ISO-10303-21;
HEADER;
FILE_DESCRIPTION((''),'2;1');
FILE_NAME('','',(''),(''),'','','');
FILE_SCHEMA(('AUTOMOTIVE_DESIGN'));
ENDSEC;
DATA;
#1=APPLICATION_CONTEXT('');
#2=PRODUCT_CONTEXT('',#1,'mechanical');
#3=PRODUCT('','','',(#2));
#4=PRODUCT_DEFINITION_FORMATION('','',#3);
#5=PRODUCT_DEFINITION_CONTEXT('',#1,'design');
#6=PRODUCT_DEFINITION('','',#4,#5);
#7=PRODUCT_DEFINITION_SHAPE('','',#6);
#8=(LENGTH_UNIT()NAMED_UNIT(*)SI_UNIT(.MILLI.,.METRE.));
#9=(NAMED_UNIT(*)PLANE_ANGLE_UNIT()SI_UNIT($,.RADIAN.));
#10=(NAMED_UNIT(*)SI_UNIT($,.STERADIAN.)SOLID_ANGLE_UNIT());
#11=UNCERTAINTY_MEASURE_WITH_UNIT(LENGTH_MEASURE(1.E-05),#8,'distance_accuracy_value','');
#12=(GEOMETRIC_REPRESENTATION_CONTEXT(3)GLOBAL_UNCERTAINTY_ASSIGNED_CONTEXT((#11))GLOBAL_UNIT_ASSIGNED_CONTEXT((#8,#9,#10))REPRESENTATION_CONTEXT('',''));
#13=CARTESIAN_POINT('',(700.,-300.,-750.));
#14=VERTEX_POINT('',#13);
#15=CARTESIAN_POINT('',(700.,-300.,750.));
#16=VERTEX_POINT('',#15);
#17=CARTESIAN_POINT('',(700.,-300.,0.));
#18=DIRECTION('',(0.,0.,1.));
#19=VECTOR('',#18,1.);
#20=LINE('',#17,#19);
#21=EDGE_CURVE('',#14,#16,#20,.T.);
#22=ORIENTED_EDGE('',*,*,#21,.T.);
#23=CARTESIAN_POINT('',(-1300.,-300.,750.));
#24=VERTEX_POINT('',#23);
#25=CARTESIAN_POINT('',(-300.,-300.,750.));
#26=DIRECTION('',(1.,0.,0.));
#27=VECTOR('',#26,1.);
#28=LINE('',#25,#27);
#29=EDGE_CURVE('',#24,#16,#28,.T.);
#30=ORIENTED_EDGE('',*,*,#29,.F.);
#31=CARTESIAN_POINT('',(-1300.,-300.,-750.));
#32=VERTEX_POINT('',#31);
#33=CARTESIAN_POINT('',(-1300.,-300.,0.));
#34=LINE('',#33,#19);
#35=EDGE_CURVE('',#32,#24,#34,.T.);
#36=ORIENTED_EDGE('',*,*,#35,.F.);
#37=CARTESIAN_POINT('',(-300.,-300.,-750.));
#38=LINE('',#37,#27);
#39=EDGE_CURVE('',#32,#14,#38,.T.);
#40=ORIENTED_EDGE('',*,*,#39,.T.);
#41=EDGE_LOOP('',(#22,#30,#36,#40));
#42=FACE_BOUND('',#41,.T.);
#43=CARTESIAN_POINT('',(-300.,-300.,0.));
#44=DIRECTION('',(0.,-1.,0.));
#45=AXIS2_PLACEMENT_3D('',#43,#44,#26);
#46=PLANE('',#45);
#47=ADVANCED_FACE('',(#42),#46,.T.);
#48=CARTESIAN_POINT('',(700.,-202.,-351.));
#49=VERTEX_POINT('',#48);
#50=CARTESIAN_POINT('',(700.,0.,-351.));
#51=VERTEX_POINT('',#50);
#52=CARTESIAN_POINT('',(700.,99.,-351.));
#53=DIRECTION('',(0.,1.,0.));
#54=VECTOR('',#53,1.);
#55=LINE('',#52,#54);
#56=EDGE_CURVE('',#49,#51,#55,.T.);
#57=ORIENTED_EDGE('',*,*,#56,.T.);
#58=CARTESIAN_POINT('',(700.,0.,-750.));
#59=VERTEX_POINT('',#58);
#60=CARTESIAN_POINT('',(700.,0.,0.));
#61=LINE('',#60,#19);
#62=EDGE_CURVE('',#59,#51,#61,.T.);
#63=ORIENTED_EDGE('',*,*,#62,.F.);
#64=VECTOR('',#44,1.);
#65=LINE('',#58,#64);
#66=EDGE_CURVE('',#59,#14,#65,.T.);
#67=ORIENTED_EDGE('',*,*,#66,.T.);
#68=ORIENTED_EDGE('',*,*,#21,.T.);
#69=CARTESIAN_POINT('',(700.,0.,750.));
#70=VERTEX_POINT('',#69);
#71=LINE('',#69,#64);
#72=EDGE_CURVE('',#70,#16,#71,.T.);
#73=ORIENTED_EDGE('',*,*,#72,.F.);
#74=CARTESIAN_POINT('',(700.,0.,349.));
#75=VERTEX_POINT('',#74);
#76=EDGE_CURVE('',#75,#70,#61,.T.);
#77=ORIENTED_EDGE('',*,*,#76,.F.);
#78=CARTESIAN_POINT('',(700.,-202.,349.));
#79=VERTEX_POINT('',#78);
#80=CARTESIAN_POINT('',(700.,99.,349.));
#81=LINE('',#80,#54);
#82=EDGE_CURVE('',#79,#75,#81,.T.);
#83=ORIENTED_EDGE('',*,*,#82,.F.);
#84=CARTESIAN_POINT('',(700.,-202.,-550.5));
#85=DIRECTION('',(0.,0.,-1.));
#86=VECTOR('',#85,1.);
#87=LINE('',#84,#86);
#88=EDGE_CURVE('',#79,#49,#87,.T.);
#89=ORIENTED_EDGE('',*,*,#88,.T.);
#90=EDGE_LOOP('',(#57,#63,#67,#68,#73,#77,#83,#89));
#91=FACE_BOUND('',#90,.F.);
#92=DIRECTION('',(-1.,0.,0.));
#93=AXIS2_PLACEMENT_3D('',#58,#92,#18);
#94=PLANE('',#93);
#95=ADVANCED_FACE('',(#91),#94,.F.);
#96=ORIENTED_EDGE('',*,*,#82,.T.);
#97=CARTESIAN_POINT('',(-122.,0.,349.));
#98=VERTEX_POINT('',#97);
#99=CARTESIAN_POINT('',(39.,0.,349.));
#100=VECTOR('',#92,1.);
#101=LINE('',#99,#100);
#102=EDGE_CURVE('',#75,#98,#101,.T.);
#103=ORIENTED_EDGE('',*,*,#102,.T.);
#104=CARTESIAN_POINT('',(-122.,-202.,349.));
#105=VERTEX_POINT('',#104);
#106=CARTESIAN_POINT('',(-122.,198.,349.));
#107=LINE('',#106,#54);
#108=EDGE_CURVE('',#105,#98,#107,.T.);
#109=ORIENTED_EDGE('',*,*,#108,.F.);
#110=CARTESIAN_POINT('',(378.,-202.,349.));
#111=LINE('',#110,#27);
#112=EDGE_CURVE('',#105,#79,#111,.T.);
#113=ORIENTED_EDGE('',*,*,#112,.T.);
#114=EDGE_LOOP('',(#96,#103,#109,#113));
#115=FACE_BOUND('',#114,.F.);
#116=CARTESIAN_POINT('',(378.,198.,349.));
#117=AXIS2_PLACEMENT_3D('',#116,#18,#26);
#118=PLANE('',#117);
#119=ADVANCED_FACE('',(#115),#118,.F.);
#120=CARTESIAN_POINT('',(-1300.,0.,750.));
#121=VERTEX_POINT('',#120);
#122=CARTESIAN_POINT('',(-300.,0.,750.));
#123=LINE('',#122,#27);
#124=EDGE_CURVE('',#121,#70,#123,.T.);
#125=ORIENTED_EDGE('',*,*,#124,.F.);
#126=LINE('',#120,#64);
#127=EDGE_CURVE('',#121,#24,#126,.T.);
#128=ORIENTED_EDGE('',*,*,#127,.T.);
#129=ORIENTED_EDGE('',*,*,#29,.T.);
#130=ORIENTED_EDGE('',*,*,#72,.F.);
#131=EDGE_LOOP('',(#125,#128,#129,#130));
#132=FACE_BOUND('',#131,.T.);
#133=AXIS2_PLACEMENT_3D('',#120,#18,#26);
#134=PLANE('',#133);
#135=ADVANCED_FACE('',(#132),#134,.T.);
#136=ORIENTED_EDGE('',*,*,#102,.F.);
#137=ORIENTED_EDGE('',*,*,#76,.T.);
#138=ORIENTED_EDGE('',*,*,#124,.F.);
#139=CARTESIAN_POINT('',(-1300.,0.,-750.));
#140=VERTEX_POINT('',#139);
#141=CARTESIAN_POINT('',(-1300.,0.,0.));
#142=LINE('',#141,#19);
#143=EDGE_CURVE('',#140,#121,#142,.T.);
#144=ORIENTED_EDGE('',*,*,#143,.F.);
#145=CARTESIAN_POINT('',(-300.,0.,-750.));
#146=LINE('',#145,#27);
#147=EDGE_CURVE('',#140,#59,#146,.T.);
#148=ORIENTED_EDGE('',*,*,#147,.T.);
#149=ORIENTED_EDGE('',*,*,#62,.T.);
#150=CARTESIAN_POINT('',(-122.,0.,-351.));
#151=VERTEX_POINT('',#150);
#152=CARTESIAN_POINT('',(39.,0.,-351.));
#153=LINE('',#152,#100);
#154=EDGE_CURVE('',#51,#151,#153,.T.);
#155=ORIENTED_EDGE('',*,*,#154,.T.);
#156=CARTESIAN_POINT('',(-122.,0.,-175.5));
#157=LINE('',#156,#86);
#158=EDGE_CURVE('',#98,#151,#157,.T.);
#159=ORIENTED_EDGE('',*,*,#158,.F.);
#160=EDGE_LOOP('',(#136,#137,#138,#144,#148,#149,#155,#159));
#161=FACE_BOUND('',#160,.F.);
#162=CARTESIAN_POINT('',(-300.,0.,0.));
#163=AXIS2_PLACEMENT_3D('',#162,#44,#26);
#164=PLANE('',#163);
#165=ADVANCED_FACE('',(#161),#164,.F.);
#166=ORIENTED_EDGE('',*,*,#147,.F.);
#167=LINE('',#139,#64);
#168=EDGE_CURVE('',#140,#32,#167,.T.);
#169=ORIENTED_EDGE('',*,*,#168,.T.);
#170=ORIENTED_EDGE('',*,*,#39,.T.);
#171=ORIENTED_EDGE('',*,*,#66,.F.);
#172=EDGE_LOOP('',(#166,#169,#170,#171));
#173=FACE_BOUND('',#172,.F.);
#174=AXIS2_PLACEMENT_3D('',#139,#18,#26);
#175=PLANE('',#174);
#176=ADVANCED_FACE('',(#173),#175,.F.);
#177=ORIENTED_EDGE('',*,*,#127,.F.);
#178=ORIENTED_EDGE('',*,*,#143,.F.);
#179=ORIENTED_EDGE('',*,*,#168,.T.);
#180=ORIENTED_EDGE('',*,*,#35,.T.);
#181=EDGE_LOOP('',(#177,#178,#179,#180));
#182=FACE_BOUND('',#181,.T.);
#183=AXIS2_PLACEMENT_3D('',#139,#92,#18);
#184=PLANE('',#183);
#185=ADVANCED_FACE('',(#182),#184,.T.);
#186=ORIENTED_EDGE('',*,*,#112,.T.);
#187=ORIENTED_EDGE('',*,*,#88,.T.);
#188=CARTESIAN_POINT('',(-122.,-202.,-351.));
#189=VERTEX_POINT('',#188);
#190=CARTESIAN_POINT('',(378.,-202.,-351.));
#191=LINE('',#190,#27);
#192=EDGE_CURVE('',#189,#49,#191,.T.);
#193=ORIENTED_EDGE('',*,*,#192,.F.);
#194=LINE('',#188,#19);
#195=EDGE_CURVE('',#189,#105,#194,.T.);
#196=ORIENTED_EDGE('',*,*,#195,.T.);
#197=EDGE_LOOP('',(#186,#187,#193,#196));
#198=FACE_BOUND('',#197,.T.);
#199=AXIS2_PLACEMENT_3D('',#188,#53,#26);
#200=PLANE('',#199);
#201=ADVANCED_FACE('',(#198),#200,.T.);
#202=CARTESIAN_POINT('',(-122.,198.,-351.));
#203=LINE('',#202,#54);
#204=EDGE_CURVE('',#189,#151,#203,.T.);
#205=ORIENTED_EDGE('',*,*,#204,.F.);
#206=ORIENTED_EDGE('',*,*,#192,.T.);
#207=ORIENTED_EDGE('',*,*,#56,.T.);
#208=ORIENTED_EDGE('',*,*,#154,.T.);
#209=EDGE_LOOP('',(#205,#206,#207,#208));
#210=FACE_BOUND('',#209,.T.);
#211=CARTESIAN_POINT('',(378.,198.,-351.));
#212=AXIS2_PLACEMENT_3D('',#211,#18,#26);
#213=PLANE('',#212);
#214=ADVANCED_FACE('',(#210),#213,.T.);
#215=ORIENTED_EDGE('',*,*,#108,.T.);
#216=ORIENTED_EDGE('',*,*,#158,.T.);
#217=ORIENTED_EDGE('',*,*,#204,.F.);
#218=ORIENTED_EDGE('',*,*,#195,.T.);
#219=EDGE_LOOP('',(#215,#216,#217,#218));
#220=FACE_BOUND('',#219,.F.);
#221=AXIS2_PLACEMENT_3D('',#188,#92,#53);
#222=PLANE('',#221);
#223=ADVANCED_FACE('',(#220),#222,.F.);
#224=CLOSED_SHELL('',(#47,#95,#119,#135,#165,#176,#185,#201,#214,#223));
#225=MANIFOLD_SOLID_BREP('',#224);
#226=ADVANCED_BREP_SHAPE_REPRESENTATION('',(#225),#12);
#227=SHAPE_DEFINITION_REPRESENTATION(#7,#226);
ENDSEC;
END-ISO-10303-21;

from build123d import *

# Parameters (mm, degrees)
BOX003_W     = 1000
BOX003_H     = 800
BOX003_DEPTH = 700
SKETCH_W     = 2000
SKETCH_H     = 1500
PAD_DEPTH    = 300


with BuildPart() as cube003:
    # Box003 → Box003 (new body)
    with BuildSketch(Plane(origin=(-122, -202, -351), x_dir=(1, 0, 0), z_dir=(0, 0, 1))):
        with Locations((500, 400)):
            Rectangle(BOX003_W, BOX003_H)
    extrude(amount=BOX003_DEPTH)


with BuildPart() as cut:
    # Sketch → Pad (new body)
    with BuildSketch(Plane.XZ):
        with Locations((-300, 0)):
            Rectangle(SKETCH_W, SKETCH_H)
    extrude(amount=PAD_DEPTH)

    # Cut: cut Cube003
    add(cube003.part, mode=Mode.SUBTRACT)


solid = cut.part
